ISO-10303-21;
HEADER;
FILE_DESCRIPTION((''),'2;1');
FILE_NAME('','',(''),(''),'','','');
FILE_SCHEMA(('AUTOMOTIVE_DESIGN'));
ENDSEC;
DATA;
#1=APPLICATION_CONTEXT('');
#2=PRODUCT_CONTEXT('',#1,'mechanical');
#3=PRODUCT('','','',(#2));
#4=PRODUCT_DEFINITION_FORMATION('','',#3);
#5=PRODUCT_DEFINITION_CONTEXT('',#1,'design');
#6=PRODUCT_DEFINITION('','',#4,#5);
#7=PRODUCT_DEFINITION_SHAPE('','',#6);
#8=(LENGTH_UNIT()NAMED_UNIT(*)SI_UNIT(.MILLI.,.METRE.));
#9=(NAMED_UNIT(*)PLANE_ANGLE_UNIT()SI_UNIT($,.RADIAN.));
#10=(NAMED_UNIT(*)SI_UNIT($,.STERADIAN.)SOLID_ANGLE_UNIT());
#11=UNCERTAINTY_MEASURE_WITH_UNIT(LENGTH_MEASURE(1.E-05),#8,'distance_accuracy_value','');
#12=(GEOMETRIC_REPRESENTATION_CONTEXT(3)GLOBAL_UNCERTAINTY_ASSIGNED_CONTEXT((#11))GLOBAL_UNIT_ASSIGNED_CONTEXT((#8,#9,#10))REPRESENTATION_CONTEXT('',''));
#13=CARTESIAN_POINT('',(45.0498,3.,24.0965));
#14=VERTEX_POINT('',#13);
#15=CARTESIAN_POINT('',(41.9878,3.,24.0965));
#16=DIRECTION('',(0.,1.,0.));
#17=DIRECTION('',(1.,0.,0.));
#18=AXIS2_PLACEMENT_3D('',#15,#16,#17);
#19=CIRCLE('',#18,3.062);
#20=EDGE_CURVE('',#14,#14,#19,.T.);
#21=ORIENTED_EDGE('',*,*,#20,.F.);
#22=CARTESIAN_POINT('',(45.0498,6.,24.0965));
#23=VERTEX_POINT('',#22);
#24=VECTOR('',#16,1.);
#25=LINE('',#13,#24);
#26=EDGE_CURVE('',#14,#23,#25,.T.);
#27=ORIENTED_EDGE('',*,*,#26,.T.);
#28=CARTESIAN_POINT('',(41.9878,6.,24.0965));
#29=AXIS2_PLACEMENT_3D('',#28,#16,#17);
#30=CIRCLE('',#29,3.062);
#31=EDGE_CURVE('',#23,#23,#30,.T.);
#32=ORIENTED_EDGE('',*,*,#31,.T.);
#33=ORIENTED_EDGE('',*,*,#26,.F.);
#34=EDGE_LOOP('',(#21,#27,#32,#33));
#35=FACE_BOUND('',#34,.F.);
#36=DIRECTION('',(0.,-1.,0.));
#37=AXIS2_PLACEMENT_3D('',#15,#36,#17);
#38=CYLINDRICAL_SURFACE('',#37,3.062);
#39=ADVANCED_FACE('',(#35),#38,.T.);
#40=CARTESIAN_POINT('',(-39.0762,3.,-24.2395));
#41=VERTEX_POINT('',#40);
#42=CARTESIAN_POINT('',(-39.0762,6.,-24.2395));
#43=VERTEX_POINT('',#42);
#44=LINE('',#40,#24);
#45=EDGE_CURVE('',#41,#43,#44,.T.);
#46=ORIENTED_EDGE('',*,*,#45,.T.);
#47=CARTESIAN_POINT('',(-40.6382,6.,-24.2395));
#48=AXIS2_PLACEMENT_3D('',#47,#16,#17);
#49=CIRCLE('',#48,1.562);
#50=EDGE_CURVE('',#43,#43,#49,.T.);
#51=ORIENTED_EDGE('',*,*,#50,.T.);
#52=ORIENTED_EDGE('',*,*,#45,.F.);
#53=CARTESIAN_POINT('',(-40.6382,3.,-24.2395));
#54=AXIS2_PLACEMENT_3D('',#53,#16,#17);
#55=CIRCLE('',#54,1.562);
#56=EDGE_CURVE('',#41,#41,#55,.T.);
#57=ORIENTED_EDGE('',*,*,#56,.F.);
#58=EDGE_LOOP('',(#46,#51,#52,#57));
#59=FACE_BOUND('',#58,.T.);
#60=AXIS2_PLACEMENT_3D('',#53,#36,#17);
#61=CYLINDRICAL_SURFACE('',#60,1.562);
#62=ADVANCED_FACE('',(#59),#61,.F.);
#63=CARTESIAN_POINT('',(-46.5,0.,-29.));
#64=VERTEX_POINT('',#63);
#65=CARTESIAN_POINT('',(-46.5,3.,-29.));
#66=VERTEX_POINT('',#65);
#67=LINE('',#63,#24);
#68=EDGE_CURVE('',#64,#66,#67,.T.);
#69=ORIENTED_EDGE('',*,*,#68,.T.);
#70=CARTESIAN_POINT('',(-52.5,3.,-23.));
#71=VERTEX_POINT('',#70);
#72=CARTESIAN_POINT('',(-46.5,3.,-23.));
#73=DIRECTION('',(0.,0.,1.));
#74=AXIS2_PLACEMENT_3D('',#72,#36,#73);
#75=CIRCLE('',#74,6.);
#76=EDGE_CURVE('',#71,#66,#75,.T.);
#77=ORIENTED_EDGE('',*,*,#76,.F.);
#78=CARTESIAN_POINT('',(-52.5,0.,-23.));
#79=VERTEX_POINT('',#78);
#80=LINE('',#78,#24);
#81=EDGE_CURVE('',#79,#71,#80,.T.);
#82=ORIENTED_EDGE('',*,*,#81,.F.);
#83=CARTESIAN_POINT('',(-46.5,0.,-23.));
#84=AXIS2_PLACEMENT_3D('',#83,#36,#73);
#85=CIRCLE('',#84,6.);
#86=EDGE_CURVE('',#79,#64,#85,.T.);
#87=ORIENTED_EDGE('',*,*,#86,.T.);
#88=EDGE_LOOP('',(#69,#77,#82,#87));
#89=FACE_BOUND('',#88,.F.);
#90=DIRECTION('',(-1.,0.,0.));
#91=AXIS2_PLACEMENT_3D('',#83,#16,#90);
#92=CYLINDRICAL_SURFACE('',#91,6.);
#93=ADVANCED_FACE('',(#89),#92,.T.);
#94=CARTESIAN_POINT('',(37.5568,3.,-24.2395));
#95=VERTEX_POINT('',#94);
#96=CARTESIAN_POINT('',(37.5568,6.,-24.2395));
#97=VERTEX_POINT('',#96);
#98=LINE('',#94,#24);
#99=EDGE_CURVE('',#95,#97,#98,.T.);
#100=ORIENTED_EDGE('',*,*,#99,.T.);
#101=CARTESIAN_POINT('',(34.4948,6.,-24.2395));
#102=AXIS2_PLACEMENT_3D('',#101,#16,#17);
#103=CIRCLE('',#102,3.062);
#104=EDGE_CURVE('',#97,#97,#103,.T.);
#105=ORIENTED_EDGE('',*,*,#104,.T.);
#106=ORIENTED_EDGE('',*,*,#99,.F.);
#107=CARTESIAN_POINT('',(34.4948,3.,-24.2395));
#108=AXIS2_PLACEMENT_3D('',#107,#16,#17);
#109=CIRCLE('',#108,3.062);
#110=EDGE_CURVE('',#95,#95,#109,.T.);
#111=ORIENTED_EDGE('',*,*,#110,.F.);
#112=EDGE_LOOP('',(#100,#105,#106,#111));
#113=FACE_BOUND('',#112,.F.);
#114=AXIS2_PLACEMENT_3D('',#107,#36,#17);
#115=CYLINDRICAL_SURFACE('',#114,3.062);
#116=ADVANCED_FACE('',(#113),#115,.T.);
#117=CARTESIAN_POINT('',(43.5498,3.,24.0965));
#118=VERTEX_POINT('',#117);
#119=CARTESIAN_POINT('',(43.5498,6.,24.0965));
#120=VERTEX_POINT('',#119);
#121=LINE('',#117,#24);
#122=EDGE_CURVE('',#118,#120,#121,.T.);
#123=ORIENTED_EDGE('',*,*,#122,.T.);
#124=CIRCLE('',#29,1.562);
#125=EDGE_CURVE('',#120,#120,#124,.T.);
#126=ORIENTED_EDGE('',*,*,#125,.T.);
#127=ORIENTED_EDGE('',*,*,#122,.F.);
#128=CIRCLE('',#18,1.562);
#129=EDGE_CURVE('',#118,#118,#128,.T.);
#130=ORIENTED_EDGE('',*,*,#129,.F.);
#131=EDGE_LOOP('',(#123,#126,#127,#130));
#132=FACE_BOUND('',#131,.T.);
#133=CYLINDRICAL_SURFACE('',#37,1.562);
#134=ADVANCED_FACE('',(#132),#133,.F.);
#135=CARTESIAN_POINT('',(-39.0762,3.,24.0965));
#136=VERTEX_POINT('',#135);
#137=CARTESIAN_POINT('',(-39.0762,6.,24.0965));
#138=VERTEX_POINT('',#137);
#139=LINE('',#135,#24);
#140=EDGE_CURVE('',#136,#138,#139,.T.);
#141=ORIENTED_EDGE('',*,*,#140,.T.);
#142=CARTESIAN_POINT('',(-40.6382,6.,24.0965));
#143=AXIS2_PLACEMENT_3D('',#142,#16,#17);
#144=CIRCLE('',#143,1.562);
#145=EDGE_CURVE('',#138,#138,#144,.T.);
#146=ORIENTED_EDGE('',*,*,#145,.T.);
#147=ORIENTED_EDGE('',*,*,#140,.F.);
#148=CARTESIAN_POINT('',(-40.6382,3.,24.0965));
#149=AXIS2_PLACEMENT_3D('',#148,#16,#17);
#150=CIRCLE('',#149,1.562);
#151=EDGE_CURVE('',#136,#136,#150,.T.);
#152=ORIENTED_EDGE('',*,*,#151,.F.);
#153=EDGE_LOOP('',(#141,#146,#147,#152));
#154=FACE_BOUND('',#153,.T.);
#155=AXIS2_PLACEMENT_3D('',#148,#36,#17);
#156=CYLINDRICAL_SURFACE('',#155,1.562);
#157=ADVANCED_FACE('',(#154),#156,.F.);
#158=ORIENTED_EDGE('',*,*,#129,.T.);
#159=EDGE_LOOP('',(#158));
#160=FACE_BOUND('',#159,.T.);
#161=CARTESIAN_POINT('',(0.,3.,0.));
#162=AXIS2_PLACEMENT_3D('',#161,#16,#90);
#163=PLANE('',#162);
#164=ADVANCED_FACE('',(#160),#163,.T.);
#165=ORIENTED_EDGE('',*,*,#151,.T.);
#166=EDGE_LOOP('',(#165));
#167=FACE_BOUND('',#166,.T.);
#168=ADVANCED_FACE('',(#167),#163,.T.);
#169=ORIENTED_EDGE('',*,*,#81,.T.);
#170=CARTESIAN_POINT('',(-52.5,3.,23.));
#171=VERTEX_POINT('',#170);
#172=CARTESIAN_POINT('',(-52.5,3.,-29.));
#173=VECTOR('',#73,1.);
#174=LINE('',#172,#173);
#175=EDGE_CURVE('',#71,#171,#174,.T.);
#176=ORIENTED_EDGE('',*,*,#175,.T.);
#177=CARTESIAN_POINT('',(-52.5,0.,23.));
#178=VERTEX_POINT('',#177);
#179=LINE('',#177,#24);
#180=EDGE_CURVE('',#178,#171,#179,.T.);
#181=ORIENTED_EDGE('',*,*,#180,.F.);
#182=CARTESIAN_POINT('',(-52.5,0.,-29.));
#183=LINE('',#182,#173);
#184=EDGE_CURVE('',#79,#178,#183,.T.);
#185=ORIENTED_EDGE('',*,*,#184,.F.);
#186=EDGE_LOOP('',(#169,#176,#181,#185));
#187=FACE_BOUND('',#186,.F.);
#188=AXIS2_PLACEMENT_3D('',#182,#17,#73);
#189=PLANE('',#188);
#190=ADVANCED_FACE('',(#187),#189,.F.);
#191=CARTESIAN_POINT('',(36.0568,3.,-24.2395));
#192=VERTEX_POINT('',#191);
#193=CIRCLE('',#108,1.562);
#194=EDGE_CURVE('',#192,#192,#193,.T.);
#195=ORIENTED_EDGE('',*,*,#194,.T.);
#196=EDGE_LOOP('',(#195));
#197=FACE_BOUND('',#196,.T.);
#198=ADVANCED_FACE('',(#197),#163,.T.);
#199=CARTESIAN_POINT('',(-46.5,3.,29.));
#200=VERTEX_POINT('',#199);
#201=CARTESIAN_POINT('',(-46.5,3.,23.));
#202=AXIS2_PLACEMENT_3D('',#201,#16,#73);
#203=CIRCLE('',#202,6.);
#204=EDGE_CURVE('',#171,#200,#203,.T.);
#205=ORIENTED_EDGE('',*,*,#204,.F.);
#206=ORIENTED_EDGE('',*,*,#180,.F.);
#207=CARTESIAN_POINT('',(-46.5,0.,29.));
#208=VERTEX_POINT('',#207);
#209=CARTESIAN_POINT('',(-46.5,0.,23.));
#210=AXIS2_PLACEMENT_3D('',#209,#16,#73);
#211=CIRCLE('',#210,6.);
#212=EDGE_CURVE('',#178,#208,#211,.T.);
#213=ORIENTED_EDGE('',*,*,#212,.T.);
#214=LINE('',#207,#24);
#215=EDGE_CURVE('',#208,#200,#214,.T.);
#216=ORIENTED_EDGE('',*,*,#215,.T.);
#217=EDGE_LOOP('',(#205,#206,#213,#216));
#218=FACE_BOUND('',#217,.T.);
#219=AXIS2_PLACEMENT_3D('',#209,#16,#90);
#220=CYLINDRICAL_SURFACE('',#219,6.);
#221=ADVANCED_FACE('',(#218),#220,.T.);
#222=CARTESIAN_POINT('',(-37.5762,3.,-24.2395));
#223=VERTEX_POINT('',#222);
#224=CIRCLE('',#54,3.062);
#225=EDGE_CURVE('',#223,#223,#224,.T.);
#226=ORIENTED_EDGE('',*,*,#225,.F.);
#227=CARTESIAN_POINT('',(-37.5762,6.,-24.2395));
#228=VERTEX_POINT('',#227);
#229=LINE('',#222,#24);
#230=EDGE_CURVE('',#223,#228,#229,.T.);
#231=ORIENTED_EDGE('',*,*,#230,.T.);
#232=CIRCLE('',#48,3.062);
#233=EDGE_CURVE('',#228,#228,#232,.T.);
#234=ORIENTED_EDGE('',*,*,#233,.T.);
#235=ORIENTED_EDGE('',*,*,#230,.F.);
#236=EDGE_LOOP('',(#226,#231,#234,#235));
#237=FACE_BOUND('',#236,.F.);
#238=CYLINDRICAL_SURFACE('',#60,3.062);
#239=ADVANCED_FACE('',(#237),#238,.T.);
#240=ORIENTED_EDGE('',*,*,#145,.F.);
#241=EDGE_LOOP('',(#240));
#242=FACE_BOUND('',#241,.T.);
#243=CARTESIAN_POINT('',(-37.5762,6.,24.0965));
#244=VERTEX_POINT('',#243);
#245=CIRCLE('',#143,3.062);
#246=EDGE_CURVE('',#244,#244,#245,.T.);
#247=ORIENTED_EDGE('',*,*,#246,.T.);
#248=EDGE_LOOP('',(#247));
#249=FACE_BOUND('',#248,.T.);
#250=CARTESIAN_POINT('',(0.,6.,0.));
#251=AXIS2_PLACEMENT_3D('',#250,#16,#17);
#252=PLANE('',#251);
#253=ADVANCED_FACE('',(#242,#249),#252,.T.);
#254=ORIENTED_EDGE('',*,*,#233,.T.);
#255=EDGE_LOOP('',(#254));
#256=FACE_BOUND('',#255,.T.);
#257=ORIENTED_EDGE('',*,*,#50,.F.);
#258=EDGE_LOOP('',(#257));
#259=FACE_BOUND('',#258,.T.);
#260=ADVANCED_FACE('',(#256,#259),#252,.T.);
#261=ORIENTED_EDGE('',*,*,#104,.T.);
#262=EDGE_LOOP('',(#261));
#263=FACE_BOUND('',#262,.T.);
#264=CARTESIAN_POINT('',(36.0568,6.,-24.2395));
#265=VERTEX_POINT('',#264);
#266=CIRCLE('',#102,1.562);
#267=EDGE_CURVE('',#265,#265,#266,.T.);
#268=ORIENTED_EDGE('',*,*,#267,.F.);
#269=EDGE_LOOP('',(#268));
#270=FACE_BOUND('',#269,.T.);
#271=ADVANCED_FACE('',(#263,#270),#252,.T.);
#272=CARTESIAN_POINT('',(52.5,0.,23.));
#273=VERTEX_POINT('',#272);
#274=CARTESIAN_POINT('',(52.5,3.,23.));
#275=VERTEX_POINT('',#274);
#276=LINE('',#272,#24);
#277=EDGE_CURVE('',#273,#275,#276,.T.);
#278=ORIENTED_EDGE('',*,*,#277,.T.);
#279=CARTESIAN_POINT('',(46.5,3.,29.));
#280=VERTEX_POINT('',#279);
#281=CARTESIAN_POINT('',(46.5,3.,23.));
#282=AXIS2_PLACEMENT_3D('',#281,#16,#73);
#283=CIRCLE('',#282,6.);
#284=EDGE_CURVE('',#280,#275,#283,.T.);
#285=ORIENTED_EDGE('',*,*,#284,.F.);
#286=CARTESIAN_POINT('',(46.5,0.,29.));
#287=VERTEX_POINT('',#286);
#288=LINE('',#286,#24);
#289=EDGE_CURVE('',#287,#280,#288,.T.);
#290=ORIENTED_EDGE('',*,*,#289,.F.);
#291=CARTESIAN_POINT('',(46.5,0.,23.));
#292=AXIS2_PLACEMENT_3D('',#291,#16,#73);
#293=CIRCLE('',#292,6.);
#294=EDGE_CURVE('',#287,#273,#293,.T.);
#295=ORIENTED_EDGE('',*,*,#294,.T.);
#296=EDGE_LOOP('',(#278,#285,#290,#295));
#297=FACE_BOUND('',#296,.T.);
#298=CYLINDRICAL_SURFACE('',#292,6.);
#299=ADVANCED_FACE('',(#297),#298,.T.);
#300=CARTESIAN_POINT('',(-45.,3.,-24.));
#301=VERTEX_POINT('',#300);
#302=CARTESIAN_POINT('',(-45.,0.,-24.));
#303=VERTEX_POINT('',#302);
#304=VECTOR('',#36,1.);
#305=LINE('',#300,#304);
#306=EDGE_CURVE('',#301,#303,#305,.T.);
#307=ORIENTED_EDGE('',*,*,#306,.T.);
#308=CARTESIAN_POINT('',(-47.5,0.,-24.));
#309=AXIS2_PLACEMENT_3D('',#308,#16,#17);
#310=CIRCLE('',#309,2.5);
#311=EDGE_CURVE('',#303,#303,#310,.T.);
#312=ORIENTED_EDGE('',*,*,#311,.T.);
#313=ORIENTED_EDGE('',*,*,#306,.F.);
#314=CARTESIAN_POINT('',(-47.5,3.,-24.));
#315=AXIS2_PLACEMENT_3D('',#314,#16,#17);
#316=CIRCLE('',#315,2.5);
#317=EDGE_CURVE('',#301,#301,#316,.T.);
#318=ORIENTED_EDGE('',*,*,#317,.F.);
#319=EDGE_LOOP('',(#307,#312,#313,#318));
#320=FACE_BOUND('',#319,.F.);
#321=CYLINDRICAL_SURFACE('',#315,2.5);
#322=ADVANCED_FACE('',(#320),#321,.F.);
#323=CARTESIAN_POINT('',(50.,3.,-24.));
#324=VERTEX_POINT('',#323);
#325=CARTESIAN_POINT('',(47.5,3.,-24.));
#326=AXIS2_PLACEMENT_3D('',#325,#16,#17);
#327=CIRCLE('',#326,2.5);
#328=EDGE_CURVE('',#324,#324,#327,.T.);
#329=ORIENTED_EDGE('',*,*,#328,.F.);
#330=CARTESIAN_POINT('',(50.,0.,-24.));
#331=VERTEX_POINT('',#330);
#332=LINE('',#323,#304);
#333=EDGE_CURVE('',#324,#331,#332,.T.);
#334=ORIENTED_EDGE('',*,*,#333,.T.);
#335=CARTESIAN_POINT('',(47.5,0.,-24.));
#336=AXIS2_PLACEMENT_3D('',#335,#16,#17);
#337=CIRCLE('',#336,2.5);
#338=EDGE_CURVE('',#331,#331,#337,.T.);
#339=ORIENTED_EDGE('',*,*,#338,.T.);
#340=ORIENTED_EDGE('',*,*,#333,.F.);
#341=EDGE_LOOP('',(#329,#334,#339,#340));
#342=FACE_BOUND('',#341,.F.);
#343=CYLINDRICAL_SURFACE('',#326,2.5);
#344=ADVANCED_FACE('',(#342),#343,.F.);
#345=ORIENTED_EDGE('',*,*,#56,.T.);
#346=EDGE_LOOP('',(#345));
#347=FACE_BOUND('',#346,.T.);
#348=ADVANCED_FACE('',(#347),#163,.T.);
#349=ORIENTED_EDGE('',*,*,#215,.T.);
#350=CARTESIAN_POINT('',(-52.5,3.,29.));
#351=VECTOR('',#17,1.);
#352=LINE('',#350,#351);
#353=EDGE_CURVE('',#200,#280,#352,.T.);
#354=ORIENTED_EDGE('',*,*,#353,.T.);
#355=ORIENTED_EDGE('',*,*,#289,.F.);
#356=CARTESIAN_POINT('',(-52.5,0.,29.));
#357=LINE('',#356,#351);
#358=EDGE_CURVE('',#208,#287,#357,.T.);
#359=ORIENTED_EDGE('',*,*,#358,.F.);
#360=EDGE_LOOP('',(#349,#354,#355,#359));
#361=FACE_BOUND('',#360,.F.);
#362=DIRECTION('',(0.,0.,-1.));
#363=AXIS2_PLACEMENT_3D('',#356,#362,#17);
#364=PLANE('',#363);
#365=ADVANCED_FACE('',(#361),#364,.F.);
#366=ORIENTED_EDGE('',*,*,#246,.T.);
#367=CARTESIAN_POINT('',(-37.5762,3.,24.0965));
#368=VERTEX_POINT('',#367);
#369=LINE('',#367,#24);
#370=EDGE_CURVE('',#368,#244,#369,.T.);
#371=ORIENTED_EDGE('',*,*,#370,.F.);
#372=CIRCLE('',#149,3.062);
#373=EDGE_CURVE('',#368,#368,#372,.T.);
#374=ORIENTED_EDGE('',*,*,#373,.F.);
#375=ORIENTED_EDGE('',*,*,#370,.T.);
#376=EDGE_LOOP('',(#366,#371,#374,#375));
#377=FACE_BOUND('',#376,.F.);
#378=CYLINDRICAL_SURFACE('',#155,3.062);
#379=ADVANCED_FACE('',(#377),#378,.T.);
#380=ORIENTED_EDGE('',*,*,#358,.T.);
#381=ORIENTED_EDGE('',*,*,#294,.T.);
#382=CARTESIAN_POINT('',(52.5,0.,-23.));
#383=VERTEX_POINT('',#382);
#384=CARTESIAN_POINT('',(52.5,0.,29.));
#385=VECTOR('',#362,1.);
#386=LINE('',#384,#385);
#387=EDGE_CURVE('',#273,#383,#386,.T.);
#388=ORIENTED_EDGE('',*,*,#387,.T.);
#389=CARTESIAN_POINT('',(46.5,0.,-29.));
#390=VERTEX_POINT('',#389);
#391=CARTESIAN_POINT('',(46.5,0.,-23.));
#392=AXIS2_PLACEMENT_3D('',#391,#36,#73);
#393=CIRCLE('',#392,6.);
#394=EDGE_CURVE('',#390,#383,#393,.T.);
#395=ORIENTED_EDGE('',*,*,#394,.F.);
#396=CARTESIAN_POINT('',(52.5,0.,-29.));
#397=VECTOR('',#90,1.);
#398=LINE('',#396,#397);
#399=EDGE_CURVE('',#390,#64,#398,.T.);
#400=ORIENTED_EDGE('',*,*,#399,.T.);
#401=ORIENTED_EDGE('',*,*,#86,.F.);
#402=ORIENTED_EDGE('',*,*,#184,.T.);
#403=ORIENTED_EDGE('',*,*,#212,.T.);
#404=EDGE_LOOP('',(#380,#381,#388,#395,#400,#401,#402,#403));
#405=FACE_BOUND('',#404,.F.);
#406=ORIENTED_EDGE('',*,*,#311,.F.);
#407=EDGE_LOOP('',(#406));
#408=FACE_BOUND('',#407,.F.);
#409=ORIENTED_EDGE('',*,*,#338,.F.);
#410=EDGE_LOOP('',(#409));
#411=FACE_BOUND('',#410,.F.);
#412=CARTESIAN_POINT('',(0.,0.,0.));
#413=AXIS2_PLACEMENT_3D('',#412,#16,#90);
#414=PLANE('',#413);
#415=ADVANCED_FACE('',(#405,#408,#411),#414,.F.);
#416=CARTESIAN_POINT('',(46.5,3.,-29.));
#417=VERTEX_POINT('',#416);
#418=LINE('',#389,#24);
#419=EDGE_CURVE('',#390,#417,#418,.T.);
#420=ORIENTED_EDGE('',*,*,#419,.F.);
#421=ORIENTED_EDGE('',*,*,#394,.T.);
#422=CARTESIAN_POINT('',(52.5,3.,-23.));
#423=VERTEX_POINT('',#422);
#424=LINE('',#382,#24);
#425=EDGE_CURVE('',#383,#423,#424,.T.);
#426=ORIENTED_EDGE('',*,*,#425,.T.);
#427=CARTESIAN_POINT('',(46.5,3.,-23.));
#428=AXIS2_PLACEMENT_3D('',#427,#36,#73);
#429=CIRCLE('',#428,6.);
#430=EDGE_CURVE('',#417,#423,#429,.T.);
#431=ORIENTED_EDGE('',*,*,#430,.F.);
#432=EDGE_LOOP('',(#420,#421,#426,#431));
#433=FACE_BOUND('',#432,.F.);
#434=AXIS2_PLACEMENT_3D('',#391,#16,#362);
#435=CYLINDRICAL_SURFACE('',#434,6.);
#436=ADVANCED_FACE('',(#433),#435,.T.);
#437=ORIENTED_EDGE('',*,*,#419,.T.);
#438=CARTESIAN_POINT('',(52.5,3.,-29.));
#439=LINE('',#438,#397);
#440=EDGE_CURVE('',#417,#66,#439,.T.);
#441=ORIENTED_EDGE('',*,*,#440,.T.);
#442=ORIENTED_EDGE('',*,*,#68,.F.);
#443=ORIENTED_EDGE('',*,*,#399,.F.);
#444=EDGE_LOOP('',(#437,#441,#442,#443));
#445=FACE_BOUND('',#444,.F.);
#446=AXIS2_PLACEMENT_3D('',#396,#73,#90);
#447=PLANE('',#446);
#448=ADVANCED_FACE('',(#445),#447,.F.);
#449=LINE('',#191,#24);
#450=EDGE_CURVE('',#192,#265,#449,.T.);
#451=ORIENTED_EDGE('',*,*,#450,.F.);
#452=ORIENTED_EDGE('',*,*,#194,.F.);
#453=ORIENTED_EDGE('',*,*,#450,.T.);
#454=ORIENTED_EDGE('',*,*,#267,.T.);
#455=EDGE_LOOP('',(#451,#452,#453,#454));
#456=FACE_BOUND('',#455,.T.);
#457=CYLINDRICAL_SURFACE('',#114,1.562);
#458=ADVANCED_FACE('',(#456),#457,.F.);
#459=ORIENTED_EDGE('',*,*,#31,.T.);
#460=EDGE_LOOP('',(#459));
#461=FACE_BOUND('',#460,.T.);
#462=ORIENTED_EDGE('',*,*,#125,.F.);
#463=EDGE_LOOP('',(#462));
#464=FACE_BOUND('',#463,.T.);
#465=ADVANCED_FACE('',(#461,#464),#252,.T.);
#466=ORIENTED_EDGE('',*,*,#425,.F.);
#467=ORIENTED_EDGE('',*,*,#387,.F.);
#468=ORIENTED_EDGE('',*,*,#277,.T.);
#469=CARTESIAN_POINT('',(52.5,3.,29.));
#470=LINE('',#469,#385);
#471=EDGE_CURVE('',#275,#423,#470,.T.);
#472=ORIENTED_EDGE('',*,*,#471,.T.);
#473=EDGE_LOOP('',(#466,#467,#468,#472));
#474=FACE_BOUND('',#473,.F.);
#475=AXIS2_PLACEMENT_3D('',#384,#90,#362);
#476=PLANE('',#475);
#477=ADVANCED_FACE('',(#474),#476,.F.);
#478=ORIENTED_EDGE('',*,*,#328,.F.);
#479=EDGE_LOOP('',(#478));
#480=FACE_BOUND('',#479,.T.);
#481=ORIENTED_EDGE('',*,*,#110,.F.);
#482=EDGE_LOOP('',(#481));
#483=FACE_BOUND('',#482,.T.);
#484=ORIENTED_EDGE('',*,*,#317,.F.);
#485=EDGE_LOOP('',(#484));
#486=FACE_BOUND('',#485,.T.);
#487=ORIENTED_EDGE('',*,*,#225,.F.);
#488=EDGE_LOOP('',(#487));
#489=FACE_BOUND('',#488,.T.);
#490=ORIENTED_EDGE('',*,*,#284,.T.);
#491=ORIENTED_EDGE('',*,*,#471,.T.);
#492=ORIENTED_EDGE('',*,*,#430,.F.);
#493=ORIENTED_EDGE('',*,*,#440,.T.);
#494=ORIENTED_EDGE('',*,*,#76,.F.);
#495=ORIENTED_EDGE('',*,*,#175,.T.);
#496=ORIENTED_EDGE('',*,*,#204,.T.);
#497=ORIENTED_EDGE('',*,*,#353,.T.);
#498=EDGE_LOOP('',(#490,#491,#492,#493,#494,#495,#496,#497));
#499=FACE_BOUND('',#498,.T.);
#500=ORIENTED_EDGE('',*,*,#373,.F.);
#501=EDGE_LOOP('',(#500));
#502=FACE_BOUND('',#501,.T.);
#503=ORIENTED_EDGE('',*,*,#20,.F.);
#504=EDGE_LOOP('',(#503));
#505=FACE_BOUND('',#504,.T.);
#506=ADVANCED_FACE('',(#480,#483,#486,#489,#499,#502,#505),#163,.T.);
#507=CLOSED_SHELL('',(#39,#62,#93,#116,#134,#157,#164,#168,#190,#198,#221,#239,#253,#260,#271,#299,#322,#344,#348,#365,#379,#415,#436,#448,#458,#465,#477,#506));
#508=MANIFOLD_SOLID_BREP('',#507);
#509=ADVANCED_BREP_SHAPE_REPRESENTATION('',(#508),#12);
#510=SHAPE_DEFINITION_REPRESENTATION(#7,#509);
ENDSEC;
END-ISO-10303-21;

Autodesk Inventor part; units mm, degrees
ref_plane "YZ Plane" through (0, 0, 0) normal (1, 0, 0) x (0, 1, 0)
ref_plane "XZ Plane" through (0, 0, 0) normal (0, 1, 0) x (-1, 0, 0)
ref_plane "XY Plane" through (0, 0, 0) normal (0, 0, 1) x (1, 0, 0)
sketch "Sketch1" plane through (0, 0, 0) normal (0, 1, 0) x (-1, 0, 0)
  line L0 (52.5, 29) -> (-52.5, 29)
  line L1 (-52.5, 29) -> (-52.5, -29)
  line L2 (-52.5, -29) -> (52.5, -29)
  line L3 (52.5, -29) -> (52.5, 29)
  line L4 (52.5, 29) -> (-52.5, -29) construction
  line L5 (-52.5, 29) -> (52.5, -29) construction
  point P0 (0, 0)
  dimension "d0" = 105
  dimension "d1" = 58
extrude "Extrusion1" add sketch "Sketch1" along normal blind 3
sketch "Sketch2" plane through (0, 3, 0) normal (0, 1, 0) x (1, 0, 0)
  circle A0 centre (41.9878, -24.0965) radius 1.562
  circle A1 centre (41.9878, -24.0965) radius 3.062
  circle A2 centre (-40.6382, -24.0965) radius 1.562
  circle A3 centre (-40.6382, -24.0965) radius 3.062
  circle A4 centre (-40.6382, 24.2395) radius 1.562
  circle A5 centre (-40.6382, 24.2395) radius 3.062
  circle A6 centre (34.4948, 24.2395) radius 1.562
  circle A7 centre (34.4948, 24.2395) radius 3.062
  point P0 (0, 0)
  dimension "d4" = 3.124
  dimension "d5" = 1.5
  dimension "d6" = 3.124
  dimension "d7" = 1.5
  dimension "d8" = 82.626
  dimension "d9" = 3.124
  dimension "d10" = 1.5
  dimension "d11" = 48.336
  dimension "d12" = 3.124
  dimension "d13" = 1.5
  dimension "d14" = 75.133
  dimension "d15" = 0
  dimension "d16" = 0
extrude "Extrusion2" add sketch "Sketch2" along normal blind 3
sketch "Sketch3" plane through (0, 3, 0) normal (0, 1, 0) x (1, 0, 0)
  circle A0 centre (47.5, 24) radius 2.5
  line L0 (52.5, 29) -> (-52.5, 29) projected
  line L1 (52.5, -29) -> (52.5, 29) projected
  circle A1 centre (-47.5, 24) radius 2.5
  line L2 (-52.5, 29) -> (-52.5, -29) projected
  point P0 (0, 0)
  dimension "d19" = 5
  dimension "d20" = 5
  dimension "d21" = 5
  dimension "d22" = 5
  dimension "d23" = 5
  dimension "d24" = 5
extrude "Extrusion3" cut sketch "Sketch3" against normal through all
fillet "Fillet1" radius 6 4 edges at (52.5, 1.5, 29) (52.5, 1.5, -29) (-52.5, 1.5, 29) (-52.5, 1.5, -29)
properties part number "placa_arduino"
